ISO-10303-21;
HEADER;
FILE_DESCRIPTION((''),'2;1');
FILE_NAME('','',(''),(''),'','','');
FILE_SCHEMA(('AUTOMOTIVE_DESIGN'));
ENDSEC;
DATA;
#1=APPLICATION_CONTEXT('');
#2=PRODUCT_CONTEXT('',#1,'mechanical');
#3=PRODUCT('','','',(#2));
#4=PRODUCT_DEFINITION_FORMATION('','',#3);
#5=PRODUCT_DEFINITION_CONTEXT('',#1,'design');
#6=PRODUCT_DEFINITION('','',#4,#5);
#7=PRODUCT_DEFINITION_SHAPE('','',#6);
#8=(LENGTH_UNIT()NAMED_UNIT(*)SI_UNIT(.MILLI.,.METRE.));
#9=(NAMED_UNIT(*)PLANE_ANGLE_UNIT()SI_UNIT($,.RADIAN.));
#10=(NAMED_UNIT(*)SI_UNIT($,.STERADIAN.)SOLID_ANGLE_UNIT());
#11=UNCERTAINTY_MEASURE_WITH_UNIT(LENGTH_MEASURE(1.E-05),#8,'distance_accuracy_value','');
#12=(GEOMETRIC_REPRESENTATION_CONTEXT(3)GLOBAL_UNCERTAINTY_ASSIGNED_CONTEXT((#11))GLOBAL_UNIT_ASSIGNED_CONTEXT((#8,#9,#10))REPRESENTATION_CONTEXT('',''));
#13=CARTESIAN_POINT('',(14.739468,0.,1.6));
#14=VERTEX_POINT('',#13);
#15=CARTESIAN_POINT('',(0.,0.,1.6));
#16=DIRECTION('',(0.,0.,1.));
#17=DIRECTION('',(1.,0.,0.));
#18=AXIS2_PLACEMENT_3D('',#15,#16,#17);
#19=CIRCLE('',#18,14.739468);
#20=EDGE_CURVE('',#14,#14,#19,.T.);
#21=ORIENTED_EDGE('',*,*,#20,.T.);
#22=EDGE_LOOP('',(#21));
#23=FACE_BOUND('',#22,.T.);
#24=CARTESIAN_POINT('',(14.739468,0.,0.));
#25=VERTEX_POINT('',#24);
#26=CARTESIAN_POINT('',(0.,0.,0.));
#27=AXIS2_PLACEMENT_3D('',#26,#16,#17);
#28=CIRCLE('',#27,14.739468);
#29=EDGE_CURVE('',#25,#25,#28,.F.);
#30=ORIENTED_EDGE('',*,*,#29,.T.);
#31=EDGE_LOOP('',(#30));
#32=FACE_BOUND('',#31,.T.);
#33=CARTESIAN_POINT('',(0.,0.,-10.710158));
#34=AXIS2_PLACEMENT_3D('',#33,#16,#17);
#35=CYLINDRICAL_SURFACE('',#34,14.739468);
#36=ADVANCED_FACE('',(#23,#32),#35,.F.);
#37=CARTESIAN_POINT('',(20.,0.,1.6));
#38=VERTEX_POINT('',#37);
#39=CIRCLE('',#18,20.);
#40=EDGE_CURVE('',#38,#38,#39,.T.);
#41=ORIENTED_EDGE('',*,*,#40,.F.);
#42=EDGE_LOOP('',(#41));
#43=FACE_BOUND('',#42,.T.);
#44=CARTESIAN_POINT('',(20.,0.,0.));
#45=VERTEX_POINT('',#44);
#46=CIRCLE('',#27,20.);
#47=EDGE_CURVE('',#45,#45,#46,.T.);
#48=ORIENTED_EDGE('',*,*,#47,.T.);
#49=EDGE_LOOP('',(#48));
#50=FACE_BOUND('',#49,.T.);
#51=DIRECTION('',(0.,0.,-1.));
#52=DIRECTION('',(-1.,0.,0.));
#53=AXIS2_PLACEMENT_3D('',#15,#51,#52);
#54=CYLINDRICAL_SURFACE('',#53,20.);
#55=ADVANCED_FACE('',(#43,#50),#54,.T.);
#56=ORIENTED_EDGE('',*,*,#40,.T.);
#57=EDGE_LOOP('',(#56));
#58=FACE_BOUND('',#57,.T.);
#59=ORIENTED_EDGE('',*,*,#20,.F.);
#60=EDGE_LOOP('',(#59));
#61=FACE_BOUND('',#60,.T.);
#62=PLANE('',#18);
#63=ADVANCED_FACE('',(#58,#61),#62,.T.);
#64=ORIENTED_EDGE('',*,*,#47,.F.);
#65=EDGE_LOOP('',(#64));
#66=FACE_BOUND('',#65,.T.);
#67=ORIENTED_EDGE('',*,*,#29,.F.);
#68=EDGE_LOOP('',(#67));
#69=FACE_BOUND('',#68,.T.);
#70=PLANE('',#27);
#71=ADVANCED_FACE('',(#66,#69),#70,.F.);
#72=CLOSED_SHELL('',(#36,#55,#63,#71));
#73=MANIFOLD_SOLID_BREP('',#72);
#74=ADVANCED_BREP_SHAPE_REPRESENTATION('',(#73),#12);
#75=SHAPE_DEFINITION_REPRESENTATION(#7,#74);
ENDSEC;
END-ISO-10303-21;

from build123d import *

# Parameters (mm, degrees)
ESQUISSE1_R                  = 20
ESQUISSE1_R_2                = 16.385
BASE_EXTRUSION_DEPTH         = 1.6
BOSS_EXTRU_5_DEPTH           = 1.6
R_P_TITION_CIRCULAIRE2_COUNT = 20


with BuildPart() as part:
    # Esquisse1 → Base-Extrusion (new body)
    with BuildSketch(Plane.XY):
        Circle(ESQUISSE1_R)
        Circle(ESQUISSE1_R_2, mode=Mode.SUBTRACT)
    extrude(amount=BASE_EXTRUSION_DEPTH)

    # Esquisse3 → Boss.-Extru.5 (add)
    with BuildSketch(Plane.XY.offset(1.6)):
        with BuildLine():
            Line((1.628948568, 15.499589628), (1.398577628, 14.834398125))
            Line((1.398577628, 14.834398125), (1.195374634, 14.690915144))
            ThreePointArc((1.195374634, 14.690915144), (-2.305760746, 14.558000401), (-5.676611278, 13.602499501))
            Line((-5.676611278, 13.602499501), (-5.914207488, 13.676166747))
            Line((-5.914207488, 13.676166747), (-6.338858752, 14.237612925))
            ThreePointArc((-6.338858752, 14.237612925), (-6.917683544, 14.610159172), (-7.600152086, 14.520350848))
            ThreePointArc((-7.600152086, 14.520350848), (-2.563821531, 16.187332073), (2.74113899, 16.158250448))
            ThreePointArc((2.74113899, 16.158250448), (2.064320537, 16.032768861), (1.628948568, 15.499589628))
        make_face()
    boss_extru_5 = extrude(amount=-BOSS_EXTRU_5_DEPTH)

    # Répétition circulaire2: Boss.-Extru.5 ×20 about axis
    r_p_tition_circulaire2_axis = Axis((0, 0, 0), (0, 0, -1))
    for i in range(1, R_P_TITION_CIRCULAIRE2_COUNT):
        add(boss_extru_5.rotate(r_p_tition_circulaire2_axis, i * 360 / R_P_TITION_CIRCULAIRE2_COUNT))


solid = part.part
